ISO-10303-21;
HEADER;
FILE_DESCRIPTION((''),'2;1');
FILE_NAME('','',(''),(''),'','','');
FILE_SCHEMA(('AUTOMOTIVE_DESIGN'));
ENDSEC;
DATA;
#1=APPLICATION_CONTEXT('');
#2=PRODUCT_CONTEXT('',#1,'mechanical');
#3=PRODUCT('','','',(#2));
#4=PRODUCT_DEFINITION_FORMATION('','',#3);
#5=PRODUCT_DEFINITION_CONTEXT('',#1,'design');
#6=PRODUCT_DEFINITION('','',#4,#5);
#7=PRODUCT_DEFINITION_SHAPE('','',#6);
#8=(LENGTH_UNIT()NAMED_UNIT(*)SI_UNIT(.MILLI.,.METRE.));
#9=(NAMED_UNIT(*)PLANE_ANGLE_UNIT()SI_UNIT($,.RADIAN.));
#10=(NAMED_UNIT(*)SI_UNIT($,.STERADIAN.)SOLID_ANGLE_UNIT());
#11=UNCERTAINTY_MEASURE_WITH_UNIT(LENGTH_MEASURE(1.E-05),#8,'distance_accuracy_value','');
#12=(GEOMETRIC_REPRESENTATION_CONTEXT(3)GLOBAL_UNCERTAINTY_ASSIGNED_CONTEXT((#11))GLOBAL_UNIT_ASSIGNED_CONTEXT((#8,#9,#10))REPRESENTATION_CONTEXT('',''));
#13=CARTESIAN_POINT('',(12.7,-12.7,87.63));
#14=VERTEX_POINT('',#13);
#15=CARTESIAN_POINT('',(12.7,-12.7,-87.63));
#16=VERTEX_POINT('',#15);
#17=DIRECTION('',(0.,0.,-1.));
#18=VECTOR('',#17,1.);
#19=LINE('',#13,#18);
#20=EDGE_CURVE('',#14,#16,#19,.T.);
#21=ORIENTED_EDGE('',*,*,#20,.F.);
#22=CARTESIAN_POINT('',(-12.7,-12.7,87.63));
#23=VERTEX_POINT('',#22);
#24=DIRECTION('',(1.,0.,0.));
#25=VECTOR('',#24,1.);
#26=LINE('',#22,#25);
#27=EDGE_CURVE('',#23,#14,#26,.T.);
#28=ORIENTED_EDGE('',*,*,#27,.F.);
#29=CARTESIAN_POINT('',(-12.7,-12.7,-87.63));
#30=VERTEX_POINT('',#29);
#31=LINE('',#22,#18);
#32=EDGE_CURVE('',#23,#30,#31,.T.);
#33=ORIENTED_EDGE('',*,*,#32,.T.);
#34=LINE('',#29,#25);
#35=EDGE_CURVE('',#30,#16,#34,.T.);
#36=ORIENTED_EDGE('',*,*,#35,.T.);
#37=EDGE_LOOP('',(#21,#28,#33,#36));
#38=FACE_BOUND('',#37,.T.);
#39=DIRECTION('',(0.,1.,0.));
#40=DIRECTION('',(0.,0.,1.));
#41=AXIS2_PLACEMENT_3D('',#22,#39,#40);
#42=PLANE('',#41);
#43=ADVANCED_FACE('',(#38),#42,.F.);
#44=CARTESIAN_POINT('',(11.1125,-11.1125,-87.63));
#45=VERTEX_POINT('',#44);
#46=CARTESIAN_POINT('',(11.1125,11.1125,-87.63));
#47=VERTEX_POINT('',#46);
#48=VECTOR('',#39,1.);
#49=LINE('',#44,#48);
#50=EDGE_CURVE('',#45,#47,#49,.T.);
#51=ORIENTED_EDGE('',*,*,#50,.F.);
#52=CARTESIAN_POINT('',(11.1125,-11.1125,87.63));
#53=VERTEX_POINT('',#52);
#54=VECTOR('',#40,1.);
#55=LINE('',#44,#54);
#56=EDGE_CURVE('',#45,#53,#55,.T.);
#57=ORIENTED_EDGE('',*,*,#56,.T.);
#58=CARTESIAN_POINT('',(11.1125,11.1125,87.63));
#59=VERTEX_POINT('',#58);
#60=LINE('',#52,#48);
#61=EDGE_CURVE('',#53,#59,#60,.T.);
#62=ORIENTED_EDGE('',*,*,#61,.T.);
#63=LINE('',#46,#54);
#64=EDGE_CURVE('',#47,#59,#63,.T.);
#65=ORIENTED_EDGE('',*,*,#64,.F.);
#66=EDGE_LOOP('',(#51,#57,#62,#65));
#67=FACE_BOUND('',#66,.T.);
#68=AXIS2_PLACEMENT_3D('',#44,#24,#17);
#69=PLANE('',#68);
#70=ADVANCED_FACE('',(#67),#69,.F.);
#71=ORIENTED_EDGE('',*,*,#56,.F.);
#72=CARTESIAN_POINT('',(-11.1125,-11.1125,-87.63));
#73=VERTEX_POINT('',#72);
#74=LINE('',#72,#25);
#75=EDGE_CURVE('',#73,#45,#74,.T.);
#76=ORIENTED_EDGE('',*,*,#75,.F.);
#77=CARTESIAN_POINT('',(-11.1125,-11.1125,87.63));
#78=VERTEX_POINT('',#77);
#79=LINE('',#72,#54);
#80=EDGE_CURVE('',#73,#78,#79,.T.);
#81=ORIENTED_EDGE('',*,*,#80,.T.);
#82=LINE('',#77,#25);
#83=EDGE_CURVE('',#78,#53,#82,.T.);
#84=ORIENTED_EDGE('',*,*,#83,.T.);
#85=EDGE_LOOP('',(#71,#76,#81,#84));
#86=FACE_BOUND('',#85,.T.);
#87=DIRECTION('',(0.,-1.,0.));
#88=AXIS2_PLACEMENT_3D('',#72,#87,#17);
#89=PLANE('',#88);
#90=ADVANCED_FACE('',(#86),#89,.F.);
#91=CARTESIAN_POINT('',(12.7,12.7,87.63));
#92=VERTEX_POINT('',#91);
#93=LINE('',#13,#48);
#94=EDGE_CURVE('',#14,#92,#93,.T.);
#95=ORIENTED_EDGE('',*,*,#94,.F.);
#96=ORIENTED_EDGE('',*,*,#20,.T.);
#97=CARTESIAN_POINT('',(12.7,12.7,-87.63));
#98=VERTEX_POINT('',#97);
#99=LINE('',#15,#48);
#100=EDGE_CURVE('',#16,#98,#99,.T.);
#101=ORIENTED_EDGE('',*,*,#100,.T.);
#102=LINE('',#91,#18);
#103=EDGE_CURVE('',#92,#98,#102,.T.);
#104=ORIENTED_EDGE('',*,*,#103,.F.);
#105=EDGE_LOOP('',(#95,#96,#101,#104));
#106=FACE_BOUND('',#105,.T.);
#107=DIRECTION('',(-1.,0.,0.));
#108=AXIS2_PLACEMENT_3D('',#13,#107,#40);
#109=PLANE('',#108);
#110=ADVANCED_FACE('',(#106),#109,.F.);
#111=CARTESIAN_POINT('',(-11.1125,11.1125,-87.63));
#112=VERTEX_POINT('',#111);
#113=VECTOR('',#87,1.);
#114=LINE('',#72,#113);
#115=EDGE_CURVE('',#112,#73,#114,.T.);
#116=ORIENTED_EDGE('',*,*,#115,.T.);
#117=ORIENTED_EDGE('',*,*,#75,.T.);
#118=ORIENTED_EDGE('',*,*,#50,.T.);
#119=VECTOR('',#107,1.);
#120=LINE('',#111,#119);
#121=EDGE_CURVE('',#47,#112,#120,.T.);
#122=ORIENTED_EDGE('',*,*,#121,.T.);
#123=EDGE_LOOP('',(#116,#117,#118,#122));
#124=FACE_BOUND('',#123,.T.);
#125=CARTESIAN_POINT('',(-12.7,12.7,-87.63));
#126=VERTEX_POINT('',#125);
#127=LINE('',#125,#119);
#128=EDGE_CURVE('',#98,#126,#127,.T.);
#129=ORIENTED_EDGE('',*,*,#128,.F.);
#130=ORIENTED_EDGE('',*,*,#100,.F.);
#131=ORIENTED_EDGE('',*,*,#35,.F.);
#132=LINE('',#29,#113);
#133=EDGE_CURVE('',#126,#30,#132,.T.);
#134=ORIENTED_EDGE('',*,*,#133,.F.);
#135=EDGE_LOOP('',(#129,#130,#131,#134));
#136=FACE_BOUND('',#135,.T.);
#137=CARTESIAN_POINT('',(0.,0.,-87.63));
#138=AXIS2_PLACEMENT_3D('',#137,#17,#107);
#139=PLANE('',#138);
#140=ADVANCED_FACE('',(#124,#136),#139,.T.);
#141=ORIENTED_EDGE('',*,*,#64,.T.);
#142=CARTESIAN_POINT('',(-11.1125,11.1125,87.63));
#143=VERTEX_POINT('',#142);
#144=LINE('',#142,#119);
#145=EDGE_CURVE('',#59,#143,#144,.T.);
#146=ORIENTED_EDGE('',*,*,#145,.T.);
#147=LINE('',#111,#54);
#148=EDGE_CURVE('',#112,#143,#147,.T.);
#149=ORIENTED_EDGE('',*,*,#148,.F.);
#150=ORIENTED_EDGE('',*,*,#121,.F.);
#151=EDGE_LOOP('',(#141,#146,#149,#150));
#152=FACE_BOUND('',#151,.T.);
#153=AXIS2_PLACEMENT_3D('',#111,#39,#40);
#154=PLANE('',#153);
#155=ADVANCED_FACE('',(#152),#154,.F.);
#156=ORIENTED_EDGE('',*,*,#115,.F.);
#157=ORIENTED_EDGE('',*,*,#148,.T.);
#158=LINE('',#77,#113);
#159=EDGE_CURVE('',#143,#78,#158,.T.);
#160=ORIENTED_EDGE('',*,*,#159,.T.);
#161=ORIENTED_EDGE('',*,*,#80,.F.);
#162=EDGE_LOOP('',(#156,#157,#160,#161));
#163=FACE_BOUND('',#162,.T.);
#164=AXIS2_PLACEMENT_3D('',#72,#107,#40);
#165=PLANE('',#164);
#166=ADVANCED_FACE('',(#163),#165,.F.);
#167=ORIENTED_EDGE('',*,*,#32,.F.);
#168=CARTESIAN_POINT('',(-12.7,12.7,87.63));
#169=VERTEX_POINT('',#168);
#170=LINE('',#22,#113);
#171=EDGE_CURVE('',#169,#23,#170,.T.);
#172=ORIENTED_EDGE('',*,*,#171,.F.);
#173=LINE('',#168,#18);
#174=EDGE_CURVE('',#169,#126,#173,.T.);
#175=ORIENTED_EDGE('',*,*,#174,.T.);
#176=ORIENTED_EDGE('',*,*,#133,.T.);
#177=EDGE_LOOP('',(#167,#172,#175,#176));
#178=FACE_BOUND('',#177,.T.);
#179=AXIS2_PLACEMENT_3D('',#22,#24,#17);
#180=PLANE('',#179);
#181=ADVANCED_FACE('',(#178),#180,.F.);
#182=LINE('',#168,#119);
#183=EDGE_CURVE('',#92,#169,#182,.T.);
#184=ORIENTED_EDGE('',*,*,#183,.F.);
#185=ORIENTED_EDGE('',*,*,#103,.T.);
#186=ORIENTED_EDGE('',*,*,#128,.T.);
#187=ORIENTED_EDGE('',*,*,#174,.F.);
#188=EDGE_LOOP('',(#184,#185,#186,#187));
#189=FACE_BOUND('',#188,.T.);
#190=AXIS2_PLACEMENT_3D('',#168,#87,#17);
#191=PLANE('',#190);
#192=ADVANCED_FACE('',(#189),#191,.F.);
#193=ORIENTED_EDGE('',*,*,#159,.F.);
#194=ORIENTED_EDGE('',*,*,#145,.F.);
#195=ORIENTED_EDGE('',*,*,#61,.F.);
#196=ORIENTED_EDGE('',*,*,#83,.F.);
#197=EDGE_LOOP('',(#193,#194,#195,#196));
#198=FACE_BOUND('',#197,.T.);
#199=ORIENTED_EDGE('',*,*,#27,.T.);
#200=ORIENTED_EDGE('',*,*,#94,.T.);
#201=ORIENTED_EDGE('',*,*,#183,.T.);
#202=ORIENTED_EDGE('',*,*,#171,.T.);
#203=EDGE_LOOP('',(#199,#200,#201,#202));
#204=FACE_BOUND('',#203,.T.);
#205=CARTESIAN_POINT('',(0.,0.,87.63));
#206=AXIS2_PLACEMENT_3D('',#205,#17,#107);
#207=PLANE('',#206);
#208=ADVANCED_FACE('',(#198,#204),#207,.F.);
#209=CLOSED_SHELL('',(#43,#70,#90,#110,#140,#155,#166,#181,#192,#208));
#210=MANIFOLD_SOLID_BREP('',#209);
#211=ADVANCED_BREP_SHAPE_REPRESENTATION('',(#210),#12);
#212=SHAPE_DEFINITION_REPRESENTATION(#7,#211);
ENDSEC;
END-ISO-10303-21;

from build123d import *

# Parameters (mm, degrees)
SKETCH1_W           = 25.4
SKETCH1_H           = 25.4
BOSS_EXTRUDE1_DEPTH = 87.63
SKETCH2_W           = 22.225
SKETCH2_H           = 22.225
CUT_EXTRUDE1_DEPTH  = 176.26


with BuildPart() as part:
    # Sketch1 → Boss-Extrude1 (new body, symmetric)
    with BuildSketch(Plane.XY):
        Rectangle(SKETCH1_W, SKETCH1_H)
    extrude(amount=BOSS_EXTRUDE1_DEPTH, both=True)

    # Sketch2 → Cut-Extrude1 (cut, through all)
    with BuildSketch(Plane.XY.offset(87.63)):
        Rectangle(SKETCH2_W, SKETCH2_H)
    extrude(amount=-CUT_EXTRUDE1_DEPTH, mode=Mode.SUBTRACT)


solid = part.part
